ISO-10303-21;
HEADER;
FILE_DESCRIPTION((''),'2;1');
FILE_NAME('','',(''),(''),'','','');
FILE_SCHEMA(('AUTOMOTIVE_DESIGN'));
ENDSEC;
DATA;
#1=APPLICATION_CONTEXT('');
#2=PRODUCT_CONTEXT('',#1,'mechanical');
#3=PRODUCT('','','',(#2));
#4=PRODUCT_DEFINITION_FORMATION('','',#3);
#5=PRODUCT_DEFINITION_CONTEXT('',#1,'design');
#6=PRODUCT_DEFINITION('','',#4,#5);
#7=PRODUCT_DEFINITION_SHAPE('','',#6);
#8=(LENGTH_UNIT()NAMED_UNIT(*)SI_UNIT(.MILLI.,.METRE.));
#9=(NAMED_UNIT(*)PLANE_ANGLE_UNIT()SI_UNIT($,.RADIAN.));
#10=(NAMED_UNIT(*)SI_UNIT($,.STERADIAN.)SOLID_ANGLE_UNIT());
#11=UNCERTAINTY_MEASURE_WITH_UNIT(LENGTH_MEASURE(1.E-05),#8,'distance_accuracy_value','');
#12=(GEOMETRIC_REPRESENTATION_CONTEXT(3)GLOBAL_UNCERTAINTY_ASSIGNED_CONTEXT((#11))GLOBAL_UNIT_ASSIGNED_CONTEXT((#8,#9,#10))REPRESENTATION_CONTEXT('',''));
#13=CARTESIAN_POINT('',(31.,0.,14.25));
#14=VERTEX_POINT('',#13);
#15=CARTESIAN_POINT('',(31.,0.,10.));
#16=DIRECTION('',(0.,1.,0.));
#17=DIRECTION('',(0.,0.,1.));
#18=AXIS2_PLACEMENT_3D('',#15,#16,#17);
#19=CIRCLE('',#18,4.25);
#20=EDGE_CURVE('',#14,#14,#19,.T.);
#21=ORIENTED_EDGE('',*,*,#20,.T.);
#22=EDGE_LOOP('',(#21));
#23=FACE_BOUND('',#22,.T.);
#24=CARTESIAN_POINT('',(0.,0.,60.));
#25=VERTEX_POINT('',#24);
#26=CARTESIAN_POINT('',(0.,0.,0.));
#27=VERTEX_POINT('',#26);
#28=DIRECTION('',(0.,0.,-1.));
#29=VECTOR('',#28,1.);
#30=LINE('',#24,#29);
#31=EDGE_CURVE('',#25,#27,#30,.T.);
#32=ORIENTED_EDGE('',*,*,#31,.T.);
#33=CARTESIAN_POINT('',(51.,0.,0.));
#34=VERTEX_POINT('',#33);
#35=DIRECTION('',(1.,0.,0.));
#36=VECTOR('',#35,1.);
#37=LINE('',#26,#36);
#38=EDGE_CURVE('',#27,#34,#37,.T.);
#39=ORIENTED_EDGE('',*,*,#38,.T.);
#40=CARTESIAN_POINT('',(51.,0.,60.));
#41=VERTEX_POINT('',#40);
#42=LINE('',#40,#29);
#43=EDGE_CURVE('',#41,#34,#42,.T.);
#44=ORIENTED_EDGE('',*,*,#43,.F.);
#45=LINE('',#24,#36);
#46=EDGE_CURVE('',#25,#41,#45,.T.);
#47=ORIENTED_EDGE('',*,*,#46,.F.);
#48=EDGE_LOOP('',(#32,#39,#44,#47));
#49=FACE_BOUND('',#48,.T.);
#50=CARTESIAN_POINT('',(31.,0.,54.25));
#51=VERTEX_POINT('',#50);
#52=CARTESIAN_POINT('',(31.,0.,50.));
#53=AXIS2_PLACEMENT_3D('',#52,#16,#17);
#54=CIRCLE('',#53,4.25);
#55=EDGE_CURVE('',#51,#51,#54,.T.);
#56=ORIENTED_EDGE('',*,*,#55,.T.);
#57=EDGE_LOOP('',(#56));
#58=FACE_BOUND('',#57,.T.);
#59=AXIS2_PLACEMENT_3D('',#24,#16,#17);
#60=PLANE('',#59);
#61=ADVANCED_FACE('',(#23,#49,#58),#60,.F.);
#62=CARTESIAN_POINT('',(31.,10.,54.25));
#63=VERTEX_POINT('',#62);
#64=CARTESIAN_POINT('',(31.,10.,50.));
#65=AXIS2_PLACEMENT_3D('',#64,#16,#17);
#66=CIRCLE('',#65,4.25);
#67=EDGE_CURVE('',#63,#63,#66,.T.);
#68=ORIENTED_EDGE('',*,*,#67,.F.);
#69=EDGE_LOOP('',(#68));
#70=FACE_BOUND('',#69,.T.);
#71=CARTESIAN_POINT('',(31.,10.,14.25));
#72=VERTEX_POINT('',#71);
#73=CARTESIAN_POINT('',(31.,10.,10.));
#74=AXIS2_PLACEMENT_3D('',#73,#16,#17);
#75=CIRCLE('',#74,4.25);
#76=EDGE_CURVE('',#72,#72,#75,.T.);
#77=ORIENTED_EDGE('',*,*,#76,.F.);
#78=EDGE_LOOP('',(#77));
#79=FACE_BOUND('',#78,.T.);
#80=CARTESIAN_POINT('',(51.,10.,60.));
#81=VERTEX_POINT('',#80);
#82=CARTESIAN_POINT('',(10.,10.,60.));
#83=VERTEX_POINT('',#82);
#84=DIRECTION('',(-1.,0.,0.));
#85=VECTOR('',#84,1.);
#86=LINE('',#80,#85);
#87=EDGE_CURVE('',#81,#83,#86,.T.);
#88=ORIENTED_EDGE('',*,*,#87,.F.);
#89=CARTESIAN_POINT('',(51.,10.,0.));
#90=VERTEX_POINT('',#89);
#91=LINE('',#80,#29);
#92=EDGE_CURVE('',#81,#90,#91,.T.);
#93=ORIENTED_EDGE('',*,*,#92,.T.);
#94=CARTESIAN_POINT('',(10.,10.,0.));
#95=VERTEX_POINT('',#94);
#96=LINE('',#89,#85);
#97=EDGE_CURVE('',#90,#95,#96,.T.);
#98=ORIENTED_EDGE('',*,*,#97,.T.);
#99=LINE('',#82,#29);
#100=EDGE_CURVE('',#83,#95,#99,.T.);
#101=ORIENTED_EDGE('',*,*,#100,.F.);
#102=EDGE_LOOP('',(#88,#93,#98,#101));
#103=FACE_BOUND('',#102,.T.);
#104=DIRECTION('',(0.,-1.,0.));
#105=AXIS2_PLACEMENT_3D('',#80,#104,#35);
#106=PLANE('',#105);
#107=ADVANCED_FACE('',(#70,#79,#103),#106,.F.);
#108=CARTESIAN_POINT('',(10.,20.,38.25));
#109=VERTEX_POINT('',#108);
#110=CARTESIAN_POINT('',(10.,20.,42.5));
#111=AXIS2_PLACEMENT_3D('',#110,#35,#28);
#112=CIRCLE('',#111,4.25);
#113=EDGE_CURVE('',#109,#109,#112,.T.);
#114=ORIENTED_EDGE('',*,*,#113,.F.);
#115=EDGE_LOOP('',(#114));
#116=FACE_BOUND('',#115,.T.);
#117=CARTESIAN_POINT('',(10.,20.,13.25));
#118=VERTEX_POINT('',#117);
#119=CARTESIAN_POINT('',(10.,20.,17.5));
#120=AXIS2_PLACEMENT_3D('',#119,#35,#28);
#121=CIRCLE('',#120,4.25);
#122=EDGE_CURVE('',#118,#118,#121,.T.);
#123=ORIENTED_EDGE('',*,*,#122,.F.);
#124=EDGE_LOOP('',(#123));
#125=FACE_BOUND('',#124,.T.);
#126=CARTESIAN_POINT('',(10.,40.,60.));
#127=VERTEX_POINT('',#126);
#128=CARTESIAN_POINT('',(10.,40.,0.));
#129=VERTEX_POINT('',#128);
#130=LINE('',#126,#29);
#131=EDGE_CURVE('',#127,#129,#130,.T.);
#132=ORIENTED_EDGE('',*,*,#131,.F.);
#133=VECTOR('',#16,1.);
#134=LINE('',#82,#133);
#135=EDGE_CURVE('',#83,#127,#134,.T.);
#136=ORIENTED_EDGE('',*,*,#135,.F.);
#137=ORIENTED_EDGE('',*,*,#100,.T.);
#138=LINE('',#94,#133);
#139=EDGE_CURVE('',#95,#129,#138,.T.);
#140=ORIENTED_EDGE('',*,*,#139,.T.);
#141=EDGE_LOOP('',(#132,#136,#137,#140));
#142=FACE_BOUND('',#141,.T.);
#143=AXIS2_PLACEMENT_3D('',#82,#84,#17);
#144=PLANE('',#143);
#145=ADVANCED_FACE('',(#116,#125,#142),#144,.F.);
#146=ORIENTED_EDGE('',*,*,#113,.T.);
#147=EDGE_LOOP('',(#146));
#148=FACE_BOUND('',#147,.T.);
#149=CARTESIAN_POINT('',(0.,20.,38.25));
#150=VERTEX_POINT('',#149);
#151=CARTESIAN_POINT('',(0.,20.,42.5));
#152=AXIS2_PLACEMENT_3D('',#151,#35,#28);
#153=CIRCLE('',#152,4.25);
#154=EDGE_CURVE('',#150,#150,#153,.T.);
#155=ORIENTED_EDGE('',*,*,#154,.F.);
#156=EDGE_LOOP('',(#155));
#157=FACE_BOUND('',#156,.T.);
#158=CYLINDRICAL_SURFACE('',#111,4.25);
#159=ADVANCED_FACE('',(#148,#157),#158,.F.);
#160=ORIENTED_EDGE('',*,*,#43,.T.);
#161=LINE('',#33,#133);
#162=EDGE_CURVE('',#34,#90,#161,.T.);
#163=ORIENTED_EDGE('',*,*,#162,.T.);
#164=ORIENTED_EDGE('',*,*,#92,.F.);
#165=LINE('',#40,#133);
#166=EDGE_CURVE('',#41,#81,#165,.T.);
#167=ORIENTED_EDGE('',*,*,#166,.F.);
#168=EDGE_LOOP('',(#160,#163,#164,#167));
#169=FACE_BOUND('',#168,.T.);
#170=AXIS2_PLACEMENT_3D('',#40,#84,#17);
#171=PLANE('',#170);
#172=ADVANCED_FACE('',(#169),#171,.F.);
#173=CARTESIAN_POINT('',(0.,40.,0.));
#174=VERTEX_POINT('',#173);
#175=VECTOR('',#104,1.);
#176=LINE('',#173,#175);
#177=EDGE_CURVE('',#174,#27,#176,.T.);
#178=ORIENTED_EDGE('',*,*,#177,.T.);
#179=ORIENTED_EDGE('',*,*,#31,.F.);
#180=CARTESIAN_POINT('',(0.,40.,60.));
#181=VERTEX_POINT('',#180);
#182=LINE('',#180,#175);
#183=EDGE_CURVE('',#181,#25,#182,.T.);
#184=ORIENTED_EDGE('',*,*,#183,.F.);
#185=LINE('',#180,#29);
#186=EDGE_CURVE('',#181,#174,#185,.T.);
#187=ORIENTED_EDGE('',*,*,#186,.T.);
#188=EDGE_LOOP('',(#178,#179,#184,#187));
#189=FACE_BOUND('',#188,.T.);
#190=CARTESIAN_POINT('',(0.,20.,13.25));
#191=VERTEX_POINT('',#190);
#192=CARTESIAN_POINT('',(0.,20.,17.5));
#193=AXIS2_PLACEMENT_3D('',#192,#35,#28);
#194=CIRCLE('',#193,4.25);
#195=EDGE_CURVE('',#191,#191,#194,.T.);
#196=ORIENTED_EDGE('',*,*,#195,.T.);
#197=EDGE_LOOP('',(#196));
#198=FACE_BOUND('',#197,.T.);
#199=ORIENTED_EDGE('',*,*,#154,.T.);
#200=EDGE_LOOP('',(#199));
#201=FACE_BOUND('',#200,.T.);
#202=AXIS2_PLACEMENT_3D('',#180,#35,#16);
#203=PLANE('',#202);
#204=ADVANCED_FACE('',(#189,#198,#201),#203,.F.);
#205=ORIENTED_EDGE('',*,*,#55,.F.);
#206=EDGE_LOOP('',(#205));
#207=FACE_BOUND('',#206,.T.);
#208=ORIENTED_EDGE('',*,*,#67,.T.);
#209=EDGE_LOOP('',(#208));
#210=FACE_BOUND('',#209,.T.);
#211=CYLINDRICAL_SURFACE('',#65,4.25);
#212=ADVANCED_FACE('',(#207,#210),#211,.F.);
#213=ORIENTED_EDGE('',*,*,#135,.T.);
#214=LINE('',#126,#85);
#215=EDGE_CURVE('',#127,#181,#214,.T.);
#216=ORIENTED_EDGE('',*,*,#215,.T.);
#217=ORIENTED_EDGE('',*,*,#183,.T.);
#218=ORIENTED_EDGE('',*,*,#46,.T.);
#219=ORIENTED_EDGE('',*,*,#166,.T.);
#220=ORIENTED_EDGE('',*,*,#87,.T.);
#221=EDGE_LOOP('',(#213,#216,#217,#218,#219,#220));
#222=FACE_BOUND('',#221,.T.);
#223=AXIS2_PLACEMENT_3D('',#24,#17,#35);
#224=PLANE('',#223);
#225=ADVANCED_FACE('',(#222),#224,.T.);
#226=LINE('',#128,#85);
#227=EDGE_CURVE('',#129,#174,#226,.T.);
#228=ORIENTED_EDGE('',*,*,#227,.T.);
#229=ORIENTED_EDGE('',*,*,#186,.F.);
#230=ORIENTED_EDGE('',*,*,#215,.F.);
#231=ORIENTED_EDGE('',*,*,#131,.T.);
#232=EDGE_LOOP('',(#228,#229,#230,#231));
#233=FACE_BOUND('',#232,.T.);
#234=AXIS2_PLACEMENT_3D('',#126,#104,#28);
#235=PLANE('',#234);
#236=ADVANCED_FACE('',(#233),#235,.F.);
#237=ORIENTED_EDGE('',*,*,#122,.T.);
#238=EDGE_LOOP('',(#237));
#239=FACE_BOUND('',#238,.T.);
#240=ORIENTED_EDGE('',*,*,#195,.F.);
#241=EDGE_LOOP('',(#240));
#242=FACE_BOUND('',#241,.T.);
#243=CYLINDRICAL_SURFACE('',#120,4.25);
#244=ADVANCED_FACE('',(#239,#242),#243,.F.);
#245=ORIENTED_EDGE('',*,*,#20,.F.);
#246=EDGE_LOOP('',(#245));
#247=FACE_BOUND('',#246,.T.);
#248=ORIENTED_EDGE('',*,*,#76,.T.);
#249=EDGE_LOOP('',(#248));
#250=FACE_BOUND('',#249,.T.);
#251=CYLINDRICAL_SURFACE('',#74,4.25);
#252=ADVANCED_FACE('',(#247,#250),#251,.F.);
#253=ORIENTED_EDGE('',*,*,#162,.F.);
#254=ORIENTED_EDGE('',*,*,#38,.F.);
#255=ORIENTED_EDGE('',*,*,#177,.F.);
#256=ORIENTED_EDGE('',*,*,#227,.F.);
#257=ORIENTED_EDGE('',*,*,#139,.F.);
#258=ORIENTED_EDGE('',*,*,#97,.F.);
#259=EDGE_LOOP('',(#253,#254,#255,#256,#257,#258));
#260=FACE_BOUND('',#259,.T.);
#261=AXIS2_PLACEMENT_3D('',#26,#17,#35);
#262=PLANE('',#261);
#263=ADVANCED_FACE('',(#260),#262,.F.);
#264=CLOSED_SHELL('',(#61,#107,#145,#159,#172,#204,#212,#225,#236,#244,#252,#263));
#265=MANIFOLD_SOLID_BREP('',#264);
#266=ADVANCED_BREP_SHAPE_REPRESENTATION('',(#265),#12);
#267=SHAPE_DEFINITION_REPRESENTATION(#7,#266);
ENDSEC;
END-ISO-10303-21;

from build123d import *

# Parameters (mm, degrees)
EXTRUDE_1_DEPTH                   = 60
HOLE_WIZARD_8_5_8_5_1_D           = 8.5
HOLE_WIZARD_8_5_8_5_1_ON_FACE_2_D = 8.5


with BuildPart() as part:
    # 草图1 → 凸台-拉伸1 (new body)
    with BuildSketch(Plane.XY):
        Polygon((0, 40), (0, 0), (51, 0), (51, 10), (10, 10), (10, 40), align=None)
    extrude(amount=EXTRUDE_1_DEPTH)

    # Ø8.5 (8.5) 直径孔1 (through all)
    with Locations(Plane(origin=(10, 20, 42.5), x_dir=(0, 0, 1), z_dir=(1, 0, 0))):
        with Locations((0, 0), (-25, 0)):
            Hole(HOLE_WIZARD_8_5_8_5_1_D / 2)

    # Ø8.5 (8.5) 直径孔1 on face 2 (through all)
    with Locations(Plane(origin=(31, 10, 50), x_dir=(0, 0, 1), z_dir=(0, 1, 0))):
        with Locations((0, 0), (-40, 0)):
            Hole(HOLE_WIZARD_8_5_8_5_1_ON_FACE_2_D / 2)


solid = part.part
